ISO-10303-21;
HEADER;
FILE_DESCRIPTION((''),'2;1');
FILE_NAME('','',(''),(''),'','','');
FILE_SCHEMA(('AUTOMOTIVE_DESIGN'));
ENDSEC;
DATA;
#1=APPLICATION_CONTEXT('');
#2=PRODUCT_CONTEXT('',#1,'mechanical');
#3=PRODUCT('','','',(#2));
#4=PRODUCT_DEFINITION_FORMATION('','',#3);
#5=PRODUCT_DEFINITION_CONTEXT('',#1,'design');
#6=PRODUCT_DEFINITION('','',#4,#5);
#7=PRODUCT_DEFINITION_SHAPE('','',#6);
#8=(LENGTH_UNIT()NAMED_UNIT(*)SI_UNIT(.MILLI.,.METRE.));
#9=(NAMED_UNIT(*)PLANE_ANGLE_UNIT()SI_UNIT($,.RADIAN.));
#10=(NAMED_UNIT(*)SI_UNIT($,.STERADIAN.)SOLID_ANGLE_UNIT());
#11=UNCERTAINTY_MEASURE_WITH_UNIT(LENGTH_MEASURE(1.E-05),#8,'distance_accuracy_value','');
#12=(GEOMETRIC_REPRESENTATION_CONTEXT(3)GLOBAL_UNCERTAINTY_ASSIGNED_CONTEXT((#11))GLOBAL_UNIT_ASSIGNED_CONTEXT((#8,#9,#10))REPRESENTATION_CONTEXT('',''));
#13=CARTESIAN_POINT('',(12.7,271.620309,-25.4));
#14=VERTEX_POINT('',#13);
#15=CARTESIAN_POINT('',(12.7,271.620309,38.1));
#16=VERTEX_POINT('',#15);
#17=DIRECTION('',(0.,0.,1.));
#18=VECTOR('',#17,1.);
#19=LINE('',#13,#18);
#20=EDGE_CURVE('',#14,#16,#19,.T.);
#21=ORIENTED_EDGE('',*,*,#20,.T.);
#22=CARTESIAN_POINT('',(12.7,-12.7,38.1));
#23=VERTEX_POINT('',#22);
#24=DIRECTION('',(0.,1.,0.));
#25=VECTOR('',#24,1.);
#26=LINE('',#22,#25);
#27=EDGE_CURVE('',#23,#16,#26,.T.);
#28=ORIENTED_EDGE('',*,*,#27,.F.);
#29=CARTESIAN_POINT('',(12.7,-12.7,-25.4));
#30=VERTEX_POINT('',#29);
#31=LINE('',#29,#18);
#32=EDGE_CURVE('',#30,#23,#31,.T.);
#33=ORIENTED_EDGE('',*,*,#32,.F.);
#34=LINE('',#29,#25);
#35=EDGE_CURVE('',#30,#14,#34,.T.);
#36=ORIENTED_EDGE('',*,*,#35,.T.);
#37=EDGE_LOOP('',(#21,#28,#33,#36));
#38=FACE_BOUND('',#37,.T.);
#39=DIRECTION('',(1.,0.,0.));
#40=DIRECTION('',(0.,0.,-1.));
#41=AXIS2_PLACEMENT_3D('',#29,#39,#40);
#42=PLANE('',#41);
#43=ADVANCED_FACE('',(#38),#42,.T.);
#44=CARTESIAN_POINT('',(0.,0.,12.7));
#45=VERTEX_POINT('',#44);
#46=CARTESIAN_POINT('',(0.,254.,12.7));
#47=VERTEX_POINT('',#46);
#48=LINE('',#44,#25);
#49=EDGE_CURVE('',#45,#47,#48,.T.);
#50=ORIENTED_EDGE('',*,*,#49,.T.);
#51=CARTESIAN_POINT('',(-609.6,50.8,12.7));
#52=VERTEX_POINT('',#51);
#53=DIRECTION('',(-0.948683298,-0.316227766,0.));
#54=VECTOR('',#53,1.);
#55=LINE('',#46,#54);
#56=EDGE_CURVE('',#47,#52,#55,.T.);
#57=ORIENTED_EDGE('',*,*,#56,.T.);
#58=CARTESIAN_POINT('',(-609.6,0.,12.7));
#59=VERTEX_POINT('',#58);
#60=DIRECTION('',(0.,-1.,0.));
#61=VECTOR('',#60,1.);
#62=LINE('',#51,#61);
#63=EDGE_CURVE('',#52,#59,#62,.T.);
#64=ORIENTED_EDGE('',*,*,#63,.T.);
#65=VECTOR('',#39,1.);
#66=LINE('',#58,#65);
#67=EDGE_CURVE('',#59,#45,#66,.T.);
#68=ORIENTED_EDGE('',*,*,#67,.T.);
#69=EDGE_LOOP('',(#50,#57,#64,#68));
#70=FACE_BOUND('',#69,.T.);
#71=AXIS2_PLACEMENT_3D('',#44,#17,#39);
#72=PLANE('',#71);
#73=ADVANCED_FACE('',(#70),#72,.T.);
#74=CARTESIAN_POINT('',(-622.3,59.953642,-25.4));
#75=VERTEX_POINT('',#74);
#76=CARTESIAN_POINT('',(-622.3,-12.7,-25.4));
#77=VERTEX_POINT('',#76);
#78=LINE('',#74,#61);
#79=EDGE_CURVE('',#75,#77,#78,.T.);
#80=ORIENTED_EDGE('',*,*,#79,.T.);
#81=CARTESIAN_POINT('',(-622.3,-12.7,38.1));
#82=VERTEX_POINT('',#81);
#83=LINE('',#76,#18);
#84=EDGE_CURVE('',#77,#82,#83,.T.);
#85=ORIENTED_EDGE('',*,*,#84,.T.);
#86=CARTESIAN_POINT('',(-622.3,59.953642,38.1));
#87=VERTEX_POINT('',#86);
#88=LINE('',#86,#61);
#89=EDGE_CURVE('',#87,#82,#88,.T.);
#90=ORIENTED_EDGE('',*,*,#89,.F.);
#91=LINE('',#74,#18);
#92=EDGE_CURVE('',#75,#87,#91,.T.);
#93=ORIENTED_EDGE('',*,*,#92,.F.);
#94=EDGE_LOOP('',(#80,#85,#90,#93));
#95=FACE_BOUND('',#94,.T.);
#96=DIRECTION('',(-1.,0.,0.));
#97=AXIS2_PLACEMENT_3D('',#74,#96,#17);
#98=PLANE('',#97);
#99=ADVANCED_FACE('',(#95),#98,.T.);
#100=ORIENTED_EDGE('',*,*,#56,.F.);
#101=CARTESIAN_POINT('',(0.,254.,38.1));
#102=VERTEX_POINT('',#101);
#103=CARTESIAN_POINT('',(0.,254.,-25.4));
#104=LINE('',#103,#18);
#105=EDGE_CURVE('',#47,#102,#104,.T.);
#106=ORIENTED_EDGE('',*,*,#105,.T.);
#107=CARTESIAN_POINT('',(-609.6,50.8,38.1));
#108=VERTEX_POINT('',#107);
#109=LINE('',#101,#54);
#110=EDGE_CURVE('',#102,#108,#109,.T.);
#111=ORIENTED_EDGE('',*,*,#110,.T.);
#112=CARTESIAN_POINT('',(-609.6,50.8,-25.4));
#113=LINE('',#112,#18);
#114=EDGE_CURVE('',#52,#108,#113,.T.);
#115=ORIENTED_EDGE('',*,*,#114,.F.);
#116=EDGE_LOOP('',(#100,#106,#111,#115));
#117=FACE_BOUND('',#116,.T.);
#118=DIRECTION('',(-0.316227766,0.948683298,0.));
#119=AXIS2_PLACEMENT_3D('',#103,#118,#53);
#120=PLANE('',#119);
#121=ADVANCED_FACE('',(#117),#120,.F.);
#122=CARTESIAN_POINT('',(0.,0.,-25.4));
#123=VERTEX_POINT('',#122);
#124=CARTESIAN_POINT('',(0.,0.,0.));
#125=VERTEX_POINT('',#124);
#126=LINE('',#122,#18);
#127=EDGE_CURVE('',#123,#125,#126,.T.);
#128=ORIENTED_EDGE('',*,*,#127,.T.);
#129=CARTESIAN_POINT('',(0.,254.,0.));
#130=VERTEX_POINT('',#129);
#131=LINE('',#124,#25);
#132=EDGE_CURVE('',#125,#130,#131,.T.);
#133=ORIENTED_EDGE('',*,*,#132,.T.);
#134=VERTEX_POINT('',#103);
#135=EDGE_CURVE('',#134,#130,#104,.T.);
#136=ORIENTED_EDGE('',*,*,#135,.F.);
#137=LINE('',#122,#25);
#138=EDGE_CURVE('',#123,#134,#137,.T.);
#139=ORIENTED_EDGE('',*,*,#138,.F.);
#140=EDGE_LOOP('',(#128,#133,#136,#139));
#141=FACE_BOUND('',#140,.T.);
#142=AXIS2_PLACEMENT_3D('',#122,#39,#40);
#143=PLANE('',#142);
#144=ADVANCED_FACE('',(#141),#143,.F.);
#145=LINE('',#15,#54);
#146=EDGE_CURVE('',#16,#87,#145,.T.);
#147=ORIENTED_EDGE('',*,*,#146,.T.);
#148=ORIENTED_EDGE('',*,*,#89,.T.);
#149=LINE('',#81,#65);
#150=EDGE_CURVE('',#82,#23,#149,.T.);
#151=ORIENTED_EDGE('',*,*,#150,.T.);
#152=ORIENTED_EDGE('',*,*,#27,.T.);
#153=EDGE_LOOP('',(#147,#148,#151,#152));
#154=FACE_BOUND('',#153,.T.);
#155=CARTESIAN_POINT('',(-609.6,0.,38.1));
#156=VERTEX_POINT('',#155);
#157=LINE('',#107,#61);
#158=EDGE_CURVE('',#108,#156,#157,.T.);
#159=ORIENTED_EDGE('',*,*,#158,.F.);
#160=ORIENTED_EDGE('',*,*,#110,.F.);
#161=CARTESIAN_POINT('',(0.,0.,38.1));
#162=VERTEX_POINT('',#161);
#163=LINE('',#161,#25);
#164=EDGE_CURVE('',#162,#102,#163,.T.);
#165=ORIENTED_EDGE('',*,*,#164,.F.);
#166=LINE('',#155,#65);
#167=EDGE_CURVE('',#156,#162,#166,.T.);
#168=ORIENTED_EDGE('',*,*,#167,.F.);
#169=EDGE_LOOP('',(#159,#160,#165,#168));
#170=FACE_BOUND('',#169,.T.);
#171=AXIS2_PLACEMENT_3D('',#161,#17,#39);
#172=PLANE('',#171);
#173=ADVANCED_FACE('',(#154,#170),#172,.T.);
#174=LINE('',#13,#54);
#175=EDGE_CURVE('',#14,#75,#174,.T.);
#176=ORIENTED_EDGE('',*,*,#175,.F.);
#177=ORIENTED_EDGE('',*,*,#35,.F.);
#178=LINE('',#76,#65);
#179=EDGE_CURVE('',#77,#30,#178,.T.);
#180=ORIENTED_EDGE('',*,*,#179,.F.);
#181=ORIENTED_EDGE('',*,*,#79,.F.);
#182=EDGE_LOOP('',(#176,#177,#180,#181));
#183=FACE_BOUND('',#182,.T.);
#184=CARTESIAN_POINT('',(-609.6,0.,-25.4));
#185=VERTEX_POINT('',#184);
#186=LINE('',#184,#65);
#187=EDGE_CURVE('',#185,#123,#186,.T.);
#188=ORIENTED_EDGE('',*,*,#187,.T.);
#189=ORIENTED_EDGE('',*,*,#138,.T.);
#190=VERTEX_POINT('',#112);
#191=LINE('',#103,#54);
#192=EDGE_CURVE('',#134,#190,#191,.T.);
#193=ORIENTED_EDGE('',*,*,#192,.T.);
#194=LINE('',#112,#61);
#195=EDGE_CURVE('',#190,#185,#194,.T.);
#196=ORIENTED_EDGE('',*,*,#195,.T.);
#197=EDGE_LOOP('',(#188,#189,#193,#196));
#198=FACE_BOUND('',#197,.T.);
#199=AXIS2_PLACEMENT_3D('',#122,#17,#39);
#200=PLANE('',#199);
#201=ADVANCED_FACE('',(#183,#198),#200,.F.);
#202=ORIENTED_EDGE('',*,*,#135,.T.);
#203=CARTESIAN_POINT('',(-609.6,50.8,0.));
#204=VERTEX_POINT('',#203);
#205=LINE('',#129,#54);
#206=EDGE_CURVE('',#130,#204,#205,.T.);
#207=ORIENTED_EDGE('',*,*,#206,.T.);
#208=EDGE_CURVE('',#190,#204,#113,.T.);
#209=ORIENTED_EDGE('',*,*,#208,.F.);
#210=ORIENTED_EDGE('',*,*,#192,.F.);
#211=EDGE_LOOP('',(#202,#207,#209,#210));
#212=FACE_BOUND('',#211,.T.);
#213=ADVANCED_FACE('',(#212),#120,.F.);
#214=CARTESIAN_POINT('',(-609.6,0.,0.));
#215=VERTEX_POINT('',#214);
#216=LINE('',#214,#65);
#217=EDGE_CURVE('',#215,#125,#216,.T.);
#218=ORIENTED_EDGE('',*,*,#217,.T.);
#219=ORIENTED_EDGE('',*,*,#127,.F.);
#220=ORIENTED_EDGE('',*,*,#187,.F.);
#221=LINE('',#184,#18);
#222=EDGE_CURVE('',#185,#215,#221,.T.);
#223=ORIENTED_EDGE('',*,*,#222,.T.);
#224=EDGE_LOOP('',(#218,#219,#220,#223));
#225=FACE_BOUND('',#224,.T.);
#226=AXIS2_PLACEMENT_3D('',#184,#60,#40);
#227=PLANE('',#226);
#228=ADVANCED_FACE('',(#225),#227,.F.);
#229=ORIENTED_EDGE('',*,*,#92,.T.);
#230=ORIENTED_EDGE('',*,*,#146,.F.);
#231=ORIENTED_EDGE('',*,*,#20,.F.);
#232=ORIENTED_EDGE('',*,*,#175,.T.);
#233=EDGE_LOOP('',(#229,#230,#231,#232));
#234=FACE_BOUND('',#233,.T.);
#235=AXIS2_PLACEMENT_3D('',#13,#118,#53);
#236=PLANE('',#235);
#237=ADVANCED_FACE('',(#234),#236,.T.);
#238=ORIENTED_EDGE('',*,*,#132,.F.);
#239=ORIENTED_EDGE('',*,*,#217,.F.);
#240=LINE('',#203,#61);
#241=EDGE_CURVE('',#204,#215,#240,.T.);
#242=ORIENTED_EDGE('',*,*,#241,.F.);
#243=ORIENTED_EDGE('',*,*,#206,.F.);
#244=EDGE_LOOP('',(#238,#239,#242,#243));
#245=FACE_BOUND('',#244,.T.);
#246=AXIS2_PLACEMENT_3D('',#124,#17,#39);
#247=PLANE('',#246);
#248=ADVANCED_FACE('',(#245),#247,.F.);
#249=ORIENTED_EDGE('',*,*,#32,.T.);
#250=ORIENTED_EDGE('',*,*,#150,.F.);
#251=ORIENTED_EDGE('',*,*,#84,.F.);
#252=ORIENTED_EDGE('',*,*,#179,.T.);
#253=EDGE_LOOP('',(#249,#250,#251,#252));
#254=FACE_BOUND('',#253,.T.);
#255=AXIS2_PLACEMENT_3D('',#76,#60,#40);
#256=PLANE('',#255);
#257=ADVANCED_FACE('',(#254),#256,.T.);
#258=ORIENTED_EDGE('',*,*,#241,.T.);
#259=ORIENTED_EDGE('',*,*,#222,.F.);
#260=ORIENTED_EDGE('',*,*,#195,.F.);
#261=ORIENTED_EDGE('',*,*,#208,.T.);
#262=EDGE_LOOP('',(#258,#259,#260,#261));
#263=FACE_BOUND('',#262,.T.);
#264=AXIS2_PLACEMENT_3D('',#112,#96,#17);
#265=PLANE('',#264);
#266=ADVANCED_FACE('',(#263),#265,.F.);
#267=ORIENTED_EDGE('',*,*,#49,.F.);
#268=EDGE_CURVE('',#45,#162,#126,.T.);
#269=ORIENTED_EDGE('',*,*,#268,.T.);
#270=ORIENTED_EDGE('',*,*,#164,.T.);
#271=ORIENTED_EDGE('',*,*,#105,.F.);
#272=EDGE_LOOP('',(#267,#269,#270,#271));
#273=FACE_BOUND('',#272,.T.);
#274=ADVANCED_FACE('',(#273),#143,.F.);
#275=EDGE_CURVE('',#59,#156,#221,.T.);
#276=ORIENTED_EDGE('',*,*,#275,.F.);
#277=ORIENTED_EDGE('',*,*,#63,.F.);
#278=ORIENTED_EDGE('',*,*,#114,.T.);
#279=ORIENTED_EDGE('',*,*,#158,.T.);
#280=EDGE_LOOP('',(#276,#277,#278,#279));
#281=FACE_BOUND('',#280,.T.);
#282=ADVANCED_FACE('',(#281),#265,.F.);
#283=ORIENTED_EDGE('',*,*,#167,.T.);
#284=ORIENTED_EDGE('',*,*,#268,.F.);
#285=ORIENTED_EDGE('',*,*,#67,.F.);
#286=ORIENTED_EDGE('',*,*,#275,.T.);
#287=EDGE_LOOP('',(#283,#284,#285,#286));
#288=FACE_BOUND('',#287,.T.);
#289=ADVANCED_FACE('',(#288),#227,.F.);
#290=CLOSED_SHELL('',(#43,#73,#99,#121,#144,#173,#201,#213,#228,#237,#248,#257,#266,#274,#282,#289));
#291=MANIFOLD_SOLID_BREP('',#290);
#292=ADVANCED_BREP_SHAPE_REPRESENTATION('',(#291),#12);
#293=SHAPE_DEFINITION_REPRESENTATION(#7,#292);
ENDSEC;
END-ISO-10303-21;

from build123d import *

# Parameters (mm, degrees)
BOSS_EXTRUDE1_DEPTH      = 12.7
BOSS_EXTRUDE2_DEPTH      = 25.4
BOSS_EXTRUDE2_DEPTH_BACK = 38.1


with BuildPart() as part:
    # Sketch1 → Boss-Extrude1 (new body)
    with BuildSketch(Plane.XY):
        Polygon((0, 0), (0, 254), (-609.6, 50.8), (-609.6, 0), align=None)
    extrude(amount=BOSS_EXTRUDE1_DEPTH)

    # Sketch2 → Boss-Extrude2 (add, two sides)
    with BuildSketch(Plane.XY.offset(12.7)) as boss_extrude2_sk:
        Polygon((12.7, -12.7), (12.7, 271.620308761), (-622.3, 59.953642095), (-622.3, -12.7), align=None)
        Polygon((0, 254), (-609.6, 50.8), (-609.6, 0), (0, 0), align=None, mode=Mode.SUBTRACT)
    extrude(amount=BOSS_EXTRUDE2_DEPTH)
    extrude(boss_extrude2_sk.sketch, amount=-BOSS_EXTRUDE2_DEPTH_BACK)


solid = part.part
